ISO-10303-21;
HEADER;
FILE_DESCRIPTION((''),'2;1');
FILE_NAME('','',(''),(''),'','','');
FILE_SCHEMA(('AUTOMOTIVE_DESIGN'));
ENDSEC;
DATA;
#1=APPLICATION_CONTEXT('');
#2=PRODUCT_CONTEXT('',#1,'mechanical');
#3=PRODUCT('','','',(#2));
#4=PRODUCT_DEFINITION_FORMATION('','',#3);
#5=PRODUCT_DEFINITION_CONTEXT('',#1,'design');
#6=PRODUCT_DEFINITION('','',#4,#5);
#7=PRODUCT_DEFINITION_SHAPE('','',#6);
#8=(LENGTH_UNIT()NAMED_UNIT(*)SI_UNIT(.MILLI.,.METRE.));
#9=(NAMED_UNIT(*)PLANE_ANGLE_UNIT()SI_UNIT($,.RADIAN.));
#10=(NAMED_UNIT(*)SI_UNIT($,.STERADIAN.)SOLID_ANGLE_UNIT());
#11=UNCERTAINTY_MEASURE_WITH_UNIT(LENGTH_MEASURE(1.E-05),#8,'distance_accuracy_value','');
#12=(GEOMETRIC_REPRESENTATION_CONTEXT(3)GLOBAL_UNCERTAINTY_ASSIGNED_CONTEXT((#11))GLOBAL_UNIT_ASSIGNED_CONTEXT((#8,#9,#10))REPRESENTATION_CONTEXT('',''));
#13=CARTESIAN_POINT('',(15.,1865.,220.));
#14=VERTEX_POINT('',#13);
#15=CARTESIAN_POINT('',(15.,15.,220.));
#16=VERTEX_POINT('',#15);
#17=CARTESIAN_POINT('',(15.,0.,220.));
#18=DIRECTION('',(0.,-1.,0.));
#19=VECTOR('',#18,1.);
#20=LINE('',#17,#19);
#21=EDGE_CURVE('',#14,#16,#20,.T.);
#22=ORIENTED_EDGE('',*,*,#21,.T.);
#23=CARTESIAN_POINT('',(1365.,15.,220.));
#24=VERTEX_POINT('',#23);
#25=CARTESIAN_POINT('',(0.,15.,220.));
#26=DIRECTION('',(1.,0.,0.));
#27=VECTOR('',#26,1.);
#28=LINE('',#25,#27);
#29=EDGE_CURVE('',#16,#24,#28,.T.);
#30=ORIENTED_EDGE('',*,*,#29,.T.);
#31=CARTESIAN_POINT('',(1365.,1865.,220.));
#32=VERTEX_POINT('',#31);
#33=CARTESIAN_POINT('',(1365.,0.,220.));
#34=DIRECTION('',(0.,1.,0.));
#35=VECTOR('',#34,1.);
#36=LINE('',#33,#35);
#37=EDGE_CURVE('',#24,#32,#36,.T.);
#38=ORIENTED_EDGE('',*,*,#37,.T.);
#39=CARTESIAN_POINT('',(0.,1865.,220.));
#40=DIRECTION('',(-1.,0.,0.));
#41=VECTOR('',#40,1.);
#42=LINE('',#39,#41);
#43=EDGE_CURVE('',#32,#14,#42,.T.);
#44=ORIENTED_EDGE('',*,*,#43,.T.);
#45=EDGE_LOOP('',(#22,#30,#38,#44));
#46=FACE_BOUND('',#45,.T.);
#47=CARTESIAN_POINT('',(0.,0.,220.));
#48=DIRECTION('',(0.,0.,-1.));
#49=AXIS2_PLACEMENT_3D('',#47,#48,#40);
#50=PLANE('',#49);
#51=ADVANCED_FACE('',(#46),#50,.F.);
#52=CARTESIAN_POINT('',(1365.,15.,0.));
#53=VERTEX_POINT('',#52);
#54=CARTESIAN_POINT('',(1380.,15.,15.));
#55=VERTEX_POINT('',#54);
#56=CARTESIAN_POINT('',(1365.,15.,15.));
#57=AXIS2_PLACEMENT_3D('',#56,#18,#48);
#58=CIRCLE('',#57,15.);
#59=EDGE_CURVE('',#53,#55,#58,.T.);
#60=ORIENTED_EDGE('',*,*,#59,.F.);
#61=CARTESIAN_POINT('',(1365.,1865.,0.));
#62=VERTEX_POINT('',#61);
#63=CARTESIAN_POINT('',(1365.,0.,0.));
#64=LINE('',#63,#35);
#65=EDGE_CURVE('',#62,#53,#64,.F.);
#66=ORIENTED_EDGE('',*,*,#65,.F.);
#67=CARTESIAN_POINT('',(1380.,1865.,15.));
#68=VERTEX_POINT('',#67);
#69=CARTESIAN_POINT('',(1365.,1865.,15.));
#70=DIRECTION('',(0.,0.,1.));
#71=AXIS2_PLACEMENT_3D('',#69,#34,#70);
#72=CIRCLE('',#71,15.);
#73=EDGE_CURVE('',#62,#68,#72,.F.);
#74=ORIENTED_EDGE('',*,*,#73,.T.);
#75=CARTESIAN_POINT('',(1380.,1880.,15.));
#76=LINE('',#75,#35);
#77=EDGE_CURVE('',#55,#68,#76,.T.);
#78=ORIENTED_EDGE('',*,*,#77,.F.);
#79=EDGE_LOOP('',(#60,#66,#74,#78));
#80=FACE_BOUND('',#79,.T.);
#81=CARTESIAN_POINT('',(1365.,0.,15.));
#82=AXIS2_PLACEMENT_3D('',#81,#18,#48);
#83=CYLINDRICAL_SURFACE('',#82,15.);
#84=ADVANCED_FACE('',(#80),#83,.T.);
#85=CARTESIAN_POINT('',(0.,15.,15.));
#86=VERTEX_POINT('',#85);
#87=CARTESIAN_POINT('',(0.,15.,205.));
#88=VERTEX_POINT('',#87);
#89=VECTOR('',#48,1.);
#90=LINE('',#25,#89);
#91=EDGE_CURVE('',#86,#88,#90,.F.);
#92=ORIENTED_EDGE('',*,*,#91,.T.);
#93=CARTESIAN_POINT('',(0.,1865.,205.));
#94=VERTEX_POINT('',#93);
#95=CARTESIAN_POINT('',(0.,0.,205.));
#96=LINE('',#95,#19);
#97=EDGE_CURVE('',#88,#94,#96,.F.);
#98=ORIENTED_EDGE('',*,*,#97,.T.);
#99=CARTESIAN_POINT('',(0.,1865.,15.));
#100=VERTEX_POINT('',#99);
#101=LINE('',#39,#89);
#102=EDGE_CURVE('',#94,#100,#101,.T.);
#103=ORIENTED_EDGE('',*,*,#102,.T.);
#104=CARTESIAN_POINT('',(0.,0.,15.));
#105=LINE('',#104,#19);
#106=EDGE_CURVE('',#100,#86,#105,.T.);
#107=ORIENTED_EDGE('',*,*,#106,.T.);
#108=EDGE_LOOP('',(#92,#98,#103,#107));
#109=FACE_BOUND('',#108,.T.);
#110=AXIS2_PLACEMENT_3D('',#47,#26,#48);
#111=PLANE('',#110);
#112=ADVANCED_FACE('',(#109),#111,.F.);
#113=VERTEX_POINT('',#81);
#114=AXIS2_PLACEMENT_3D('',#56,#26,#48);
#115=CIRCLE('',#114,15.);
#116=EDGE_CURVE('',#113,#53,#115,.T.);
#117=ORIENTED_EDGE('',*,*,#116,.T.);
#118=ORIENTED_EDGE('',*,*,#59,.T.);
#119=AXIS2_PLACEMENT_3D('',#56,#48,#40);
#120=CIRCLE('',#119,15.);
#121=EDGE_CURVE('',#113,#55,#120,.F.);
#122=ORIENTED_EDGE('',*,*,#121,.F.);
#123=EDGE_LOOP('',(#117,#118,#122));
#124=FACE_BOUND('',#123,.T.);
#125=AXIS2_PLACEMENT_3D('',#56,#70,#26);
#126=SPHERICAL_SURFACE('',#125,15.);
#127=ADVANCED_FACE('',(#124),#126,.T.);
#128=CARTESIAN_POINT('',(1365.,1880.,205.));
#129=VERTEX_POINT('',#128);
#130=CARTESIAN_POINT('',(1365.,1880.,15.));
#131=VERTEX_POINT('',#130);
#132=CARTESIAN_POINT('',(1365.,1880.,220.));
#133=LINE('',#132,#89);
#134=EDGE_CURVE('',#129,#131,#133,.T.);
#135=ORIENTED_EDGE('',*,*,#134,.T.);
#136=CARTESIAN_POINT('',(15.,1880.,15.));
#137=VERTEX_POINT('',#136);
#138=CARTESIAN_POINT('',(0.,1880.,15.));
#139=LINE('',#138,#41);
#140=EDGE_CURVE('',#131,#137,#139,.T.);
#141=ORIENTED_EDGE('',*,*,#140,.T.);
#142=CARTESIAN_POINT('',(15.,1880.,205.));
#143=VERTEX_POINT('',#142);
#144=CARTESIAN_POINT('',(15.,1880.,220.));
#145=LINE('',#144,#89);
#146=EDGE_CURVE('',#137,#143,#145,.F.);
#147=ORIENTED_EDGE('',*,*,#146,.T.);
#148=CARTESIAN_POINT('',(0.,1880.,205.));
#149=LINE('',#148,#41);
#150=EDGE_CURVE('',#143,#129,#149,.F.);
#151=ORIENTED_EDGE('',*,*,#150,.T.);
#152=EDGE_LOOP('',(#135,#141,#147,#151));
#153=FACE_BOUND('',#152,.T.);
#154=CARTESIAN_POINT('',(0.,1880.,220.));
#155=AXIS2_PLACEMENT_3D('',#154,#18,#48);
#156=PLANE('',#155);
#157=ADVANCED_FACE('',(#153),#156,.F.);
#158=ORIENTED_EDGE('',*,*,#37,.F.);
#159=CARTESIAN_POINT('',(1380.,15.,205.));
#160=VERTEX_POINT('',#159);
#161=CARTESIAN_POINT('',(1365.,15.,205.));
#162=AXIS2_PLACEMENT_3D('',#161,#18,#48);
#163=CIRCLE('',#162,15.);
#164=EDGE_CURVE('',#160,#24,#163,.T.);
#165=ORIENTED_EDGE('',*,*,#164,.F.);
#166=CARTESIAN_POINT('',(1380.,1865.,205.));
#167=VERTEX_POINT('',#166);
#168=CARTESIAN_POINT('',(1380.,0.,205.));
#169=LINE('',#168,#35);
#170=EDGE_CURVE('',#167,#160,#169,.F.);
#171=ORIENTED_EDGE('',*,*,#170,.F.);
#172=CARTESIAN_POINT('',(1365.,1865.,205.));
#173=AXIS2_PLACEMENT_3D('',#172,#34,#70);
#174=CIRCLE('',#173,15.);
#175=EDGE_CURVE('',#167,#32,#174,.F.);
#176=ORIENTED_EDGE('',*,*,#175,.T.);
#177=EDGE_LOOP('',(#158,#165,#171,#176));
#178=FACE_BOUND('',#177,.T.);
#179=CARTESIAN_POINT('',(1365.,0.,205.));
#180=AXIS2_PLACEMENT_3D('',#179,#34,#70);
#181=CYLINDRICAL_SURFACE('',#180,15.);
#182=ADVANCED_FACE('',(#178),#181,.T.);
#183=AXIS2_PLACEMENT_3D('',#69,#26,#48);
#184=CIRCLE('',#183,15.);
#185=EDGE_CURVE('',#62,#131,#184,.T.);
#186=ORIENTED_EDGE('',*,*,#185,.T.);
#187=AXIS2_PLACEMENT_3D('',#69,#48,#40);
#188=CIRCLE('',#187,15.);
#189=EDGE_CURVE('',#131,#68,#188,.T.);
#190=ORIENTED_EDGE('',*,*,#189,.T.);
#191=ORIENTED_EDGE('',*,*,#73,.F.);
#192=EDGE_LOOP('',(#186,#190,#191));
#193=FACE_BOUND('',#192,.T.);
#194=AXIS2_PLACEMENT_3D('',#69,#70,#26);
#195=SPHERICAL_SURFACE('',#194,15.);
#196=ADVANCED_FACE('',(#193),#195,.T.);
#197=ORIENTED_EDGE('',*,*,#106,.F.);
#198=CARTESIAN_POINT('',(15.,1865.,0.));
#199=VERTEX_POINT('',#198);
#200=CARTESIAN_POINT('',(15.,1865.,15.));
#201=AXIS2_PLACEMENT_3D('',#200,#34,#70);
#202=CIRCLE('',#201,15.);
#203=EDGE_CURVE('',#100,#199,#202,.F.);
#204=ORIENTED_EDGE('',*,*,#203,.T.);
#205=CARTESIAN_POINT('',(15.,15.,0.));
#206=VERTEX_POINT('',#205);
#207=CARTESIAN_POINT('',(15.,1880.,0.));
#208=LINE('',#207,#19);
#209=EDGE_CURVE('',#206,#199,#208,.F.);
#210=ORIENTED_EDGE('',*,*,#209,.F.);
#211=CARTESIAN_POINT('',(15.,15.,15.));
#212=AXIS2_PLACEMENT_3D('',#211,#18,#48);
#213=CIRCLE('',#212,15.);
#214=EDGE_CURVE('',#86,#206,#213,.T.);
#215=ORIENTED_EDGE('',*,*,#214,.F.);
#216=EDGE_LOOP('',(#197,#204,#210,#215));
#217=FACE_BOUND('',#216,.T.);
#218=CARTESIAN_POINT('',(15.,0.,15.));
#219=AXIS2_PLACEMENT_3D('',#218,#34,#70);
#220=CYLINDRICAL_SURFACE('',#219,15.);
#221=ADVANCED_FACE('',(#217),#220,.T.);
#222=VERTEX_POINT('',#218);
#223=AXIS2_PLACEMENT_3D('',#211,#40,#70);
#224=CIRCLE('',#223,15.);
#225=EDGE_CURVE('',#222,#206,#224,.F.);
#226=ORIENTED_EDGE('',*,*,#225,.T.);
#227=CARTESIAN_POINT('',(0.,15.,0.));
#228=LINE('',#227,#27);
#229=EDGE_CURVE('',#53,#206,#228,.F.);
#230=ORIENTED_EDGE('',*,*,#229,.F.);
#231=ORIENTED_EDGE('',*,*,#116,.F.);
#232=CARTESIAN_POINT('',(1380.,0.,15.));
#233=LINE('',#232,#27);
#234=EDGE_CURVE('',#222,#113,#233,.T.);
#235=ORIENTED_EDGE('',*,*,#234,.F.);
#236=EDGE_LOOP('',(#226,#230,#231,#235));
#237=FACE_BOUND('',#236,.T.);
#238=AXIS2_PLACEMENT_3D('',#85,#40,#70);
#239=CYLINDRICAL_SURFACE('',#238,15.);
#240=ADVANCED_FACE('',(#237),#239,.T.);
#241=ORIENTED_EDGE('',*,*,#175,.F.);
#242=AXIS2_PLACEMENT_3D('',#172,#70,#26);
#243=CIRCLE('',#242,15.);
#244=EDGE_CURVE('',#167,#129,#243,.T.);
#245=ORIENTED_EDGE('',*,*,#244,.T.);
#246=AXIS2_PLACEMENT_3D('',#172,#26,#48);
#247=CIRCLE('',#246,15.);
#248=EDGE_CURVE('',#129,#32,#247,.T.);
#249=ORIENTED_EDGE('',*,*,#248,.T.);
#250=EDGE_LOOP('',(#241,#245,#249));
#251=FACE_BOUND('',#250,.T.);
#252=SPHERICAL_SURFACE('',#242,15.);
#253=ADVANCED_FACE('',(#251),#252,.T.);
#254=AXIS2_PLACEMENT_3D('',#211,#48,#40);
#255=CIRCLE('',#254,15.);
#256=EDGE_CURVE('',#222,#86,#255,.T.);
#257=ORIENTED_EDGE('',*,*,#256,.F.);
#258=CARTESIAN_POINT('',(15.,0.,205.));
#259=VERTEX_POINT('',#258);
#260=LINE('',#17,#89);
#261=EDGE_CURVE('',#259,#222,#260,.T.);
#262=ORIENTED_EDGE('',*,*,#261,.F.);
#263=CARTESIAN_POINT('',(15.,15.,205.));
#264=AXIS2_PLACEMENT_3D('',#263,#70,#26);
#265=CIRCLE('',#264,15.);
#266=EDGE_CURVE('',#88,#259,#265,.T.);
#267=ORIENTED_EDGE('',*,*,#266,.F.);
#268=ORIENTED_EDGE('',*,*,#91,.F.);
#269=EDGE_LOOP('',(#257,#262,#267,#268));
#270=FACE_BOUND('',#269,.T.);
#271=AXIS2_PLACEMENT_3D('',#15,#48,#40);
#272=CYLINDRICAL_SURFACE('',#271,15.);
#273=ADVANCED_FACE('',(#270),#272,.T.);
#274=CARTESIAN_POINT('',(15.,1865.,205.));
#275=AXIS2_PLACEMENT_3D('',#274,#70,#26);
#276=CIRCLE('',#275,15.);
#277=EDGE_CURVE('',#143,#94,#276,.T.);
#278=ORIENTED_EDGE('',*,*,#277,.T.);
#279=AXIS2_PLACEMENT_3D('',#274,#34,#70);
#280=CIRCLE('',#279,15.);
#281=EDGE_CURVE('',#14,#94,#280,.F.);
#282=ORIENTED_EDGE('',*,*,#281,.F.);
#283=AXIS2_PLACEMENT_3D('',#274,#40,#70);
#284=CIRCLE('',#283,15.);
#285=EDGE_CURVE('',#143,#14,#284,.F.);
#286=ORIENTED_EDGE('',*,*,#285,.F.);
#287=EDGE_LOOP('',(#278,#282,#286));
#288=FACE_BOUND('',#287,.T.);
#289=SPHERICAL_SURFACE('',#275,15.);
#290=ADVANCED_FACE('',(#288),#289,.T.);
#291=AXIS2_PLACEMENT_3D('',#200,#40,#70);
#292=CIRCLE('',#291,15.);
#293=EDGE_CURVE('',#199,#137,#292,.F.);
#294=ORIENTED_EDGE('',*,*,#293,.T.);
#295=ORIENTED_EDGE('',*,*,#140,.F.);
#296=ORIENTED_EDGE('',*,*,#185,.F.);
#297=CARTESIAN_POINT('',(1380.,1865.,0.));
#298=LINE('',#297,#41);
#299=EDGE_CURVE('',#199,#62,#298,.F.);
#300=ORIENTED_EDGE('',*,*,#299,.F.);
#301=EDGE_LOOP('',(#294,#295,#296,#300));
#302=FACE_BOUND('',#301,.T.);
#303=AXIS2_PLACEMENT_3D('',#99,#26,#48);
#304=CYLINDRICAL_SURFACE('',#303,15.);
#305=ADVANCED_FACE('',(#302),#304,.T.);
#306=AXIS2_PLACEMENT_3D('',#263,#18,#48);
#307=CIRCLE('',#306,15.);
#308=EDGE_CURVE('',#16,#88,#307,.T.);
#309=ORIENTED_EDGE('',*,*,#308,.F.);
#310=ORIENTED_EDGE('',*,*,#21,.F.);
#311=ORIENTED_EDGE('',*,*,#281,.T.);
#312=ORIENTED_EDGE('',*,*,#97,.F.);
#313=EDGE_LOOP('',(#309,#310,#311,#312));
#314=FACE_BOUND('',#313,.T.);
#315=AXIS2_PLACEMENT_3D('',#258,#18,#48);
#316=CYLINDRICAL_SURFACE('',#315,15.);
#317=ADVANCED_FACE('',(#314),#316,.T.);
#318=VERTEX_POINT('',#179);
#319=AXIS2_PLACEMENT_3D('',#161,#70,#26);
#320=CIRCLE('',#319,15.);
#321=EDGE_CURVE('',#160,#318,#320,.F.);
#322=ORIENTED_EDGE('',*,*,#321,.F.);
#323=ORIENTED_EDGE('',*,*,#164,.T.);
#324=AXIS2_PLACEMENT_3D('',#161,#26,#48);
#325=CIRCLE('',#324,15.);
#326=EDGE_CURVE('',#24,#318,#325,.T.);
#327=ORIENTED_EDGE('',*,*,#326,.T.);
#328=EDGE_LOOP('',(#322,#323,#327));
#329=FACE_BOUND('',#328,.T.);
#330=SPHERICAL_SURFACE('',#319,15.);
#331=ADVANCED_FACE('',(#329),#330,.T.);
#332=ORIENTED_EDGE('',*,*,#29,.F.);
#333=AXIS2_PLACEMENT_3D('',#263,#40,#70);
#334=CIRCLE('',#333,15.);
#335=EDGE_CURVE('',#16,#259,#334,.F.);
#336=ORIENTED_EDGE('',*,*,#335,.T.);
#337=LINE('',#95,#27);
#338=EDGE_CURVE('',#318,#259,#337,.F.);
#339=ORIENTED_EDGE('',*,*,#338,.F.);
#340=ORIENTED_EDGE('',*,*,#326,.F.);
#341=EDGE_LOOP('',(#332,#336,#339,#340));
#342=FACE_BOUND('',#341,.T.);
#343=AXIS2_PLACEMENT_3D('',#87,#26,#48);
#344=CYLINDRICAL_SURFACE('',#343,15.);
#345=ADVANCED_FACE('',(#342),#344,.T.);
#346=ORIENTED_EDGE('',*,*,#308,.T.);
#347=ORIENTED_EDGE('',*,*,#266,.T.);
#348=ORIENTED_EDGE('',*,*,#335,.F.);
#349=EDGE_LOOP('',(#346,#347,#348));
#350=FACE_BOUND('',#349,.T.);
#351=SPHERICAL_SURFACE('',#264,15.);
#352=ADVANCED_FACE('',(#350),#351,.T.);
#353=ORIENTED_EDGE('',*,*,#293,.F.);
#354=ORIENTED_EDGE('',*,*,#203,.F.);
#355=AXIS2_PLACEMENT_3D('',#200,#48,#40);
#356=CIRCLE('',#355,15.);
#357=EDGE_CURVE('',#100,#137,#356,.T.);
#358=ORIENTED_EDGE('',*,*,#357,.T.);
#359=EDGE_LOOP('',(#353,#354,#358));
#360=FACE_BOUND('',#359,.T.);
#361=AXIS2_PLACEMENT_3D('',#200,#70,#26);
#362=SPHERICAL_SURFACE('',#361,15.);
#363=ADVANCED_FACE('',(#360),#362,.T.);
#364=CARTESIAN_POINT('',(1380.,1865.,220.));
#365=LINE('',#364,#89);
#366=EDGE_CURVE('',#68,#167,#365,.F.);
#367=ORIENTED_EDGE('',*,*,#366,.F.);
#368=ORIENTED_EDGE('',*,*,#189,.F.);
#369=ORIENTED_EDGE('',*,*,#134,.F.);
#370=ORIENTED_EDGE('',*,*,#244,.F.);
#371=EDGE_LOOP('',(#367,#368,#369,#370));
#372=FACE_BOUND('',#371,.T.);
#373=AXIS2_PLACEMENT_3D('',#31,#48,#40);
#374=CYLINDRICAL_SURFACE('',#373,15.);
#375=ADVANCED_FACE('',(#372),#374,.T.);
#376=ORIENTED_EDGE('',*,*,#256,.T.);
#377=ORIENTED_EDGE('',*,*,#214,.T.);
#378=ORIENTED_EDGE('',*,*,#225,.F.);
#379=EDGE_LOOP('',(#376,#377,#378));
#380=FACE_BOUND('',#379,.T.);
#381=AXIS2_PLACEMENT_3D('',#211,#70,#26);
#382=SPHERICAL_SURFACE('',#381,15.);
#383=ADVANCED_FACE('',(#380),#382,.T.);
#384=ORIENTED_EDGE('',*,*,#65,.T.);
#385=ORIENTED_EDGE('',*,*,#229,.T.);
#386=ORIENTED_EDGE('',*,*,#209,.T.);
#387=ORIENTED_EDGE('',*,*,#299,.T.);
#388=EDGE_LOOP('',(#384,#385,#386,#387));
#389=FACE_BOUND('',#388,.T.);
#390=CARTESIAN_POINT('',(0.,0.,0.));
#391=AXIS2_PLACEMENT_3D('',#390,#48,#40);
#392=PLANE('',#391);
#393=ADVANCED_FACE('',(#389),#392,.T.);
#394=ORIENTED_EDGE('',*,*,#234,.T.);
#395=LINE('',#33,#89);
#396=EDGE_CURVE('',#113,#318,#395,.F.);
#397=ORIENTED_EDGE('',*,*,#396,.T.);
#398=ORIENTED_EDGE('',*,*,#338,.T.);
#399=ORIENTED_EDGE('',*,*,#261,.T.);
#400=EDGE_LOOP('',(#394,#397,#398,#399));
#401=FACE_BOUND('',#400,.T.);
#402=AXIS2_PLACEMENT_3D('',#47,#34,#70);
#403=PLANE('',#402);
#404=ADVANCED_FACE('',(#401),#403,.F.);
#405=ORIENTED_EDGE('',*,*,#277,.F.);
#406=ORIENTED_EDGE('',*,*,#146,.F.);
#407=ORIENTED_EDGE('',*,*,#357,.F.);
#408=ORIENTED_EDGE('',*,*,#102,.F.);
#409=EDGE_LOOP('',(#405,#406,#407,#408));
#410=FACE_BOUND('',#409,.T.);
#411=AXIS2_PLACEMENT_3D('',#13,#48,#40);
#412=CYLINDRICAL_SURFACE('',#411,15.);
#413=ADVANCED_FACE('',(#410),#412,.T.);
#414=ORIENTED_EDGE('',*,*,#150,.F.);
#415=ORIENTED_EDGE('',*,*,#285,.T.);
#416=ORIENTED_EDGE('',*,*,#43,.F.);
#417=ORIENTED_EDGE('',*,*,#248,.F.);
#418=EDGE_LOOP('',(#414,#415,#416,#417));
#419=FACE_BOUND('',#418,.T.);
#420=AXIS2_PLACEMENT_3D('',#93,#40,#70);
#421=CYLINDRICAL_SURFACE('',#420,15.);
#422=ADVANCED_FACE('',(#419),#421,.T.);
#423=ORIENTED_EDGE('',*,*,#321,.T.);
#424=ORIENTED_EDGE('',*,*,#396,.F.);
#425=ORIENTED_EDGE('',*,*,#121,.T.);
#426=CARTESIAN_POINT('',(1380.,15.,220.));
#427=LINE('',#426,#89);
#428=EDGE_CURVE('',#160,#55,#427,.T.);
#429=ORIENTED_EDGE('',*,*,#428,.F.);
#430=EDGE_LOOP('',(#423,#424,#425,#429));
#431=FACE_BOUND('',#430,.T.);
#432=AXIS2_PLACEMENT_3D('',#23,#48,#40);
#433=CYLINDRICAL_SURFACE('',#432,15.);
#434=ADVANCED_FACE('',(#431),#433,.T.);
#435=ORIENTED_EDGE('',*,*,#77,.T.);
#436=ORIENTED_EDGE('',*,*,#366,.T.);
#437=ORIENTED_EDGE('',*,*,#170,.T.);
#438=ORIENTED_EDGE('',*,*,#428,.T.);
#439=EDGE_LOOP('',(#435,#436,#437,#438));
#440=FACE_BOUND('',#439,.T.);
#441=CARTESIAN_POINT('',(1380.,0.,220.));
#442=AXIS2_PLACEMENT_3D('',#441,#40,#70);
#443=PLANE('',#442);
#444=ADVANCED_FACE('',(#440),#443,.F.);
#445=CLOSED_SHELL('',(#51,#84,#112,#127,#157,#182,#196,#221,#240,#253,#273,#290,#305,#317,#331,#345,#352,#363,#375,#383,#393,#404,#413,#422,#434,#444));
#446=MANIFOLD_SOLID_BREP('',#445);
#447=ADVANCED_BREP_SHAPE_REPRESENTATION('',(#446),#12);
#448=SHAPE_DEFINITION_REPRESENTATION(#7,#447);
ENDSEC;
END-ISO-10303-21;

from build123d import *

# Parameters (mm, degrees)
ESBO_O1_W                = 1380
ESBO_O1_H                = 1880
RESSALTO_EXTRUS_O1_DEPTH = 220
FILETE1_R                = 15


with BuildPart() as part:
    # Esboço1 → Ressalto-extrusão1 (new body)
    with BuildSketch(Plane.XY):
        with Locations((690, 940)):
            Rectangle(ESBO_O1_W, ESBO_O1_H)
    extrude(amount=RESSALTO_EXTRUS_O1_DEPTH)

    # Filete1
    filete1_edges = [part.edges().sort_by_distance(p)[0] for p in [
        (1380, 940, 220),
        (690, 1880, 220),
        (0, 940, 220),
        (690, 1880, 0),
        (1380, 940, 0),
        (690, 0, 0),
        (0, 940, 0),
        (0, 1880, 110),
        (1380, 1880, 110),
        (1380, 0, 110),
        (0, 0, 110),
        (690, 0, 220),
    ]]
    fillet(filete1_edges, radius=FILETE1_R)


solid = part.part
